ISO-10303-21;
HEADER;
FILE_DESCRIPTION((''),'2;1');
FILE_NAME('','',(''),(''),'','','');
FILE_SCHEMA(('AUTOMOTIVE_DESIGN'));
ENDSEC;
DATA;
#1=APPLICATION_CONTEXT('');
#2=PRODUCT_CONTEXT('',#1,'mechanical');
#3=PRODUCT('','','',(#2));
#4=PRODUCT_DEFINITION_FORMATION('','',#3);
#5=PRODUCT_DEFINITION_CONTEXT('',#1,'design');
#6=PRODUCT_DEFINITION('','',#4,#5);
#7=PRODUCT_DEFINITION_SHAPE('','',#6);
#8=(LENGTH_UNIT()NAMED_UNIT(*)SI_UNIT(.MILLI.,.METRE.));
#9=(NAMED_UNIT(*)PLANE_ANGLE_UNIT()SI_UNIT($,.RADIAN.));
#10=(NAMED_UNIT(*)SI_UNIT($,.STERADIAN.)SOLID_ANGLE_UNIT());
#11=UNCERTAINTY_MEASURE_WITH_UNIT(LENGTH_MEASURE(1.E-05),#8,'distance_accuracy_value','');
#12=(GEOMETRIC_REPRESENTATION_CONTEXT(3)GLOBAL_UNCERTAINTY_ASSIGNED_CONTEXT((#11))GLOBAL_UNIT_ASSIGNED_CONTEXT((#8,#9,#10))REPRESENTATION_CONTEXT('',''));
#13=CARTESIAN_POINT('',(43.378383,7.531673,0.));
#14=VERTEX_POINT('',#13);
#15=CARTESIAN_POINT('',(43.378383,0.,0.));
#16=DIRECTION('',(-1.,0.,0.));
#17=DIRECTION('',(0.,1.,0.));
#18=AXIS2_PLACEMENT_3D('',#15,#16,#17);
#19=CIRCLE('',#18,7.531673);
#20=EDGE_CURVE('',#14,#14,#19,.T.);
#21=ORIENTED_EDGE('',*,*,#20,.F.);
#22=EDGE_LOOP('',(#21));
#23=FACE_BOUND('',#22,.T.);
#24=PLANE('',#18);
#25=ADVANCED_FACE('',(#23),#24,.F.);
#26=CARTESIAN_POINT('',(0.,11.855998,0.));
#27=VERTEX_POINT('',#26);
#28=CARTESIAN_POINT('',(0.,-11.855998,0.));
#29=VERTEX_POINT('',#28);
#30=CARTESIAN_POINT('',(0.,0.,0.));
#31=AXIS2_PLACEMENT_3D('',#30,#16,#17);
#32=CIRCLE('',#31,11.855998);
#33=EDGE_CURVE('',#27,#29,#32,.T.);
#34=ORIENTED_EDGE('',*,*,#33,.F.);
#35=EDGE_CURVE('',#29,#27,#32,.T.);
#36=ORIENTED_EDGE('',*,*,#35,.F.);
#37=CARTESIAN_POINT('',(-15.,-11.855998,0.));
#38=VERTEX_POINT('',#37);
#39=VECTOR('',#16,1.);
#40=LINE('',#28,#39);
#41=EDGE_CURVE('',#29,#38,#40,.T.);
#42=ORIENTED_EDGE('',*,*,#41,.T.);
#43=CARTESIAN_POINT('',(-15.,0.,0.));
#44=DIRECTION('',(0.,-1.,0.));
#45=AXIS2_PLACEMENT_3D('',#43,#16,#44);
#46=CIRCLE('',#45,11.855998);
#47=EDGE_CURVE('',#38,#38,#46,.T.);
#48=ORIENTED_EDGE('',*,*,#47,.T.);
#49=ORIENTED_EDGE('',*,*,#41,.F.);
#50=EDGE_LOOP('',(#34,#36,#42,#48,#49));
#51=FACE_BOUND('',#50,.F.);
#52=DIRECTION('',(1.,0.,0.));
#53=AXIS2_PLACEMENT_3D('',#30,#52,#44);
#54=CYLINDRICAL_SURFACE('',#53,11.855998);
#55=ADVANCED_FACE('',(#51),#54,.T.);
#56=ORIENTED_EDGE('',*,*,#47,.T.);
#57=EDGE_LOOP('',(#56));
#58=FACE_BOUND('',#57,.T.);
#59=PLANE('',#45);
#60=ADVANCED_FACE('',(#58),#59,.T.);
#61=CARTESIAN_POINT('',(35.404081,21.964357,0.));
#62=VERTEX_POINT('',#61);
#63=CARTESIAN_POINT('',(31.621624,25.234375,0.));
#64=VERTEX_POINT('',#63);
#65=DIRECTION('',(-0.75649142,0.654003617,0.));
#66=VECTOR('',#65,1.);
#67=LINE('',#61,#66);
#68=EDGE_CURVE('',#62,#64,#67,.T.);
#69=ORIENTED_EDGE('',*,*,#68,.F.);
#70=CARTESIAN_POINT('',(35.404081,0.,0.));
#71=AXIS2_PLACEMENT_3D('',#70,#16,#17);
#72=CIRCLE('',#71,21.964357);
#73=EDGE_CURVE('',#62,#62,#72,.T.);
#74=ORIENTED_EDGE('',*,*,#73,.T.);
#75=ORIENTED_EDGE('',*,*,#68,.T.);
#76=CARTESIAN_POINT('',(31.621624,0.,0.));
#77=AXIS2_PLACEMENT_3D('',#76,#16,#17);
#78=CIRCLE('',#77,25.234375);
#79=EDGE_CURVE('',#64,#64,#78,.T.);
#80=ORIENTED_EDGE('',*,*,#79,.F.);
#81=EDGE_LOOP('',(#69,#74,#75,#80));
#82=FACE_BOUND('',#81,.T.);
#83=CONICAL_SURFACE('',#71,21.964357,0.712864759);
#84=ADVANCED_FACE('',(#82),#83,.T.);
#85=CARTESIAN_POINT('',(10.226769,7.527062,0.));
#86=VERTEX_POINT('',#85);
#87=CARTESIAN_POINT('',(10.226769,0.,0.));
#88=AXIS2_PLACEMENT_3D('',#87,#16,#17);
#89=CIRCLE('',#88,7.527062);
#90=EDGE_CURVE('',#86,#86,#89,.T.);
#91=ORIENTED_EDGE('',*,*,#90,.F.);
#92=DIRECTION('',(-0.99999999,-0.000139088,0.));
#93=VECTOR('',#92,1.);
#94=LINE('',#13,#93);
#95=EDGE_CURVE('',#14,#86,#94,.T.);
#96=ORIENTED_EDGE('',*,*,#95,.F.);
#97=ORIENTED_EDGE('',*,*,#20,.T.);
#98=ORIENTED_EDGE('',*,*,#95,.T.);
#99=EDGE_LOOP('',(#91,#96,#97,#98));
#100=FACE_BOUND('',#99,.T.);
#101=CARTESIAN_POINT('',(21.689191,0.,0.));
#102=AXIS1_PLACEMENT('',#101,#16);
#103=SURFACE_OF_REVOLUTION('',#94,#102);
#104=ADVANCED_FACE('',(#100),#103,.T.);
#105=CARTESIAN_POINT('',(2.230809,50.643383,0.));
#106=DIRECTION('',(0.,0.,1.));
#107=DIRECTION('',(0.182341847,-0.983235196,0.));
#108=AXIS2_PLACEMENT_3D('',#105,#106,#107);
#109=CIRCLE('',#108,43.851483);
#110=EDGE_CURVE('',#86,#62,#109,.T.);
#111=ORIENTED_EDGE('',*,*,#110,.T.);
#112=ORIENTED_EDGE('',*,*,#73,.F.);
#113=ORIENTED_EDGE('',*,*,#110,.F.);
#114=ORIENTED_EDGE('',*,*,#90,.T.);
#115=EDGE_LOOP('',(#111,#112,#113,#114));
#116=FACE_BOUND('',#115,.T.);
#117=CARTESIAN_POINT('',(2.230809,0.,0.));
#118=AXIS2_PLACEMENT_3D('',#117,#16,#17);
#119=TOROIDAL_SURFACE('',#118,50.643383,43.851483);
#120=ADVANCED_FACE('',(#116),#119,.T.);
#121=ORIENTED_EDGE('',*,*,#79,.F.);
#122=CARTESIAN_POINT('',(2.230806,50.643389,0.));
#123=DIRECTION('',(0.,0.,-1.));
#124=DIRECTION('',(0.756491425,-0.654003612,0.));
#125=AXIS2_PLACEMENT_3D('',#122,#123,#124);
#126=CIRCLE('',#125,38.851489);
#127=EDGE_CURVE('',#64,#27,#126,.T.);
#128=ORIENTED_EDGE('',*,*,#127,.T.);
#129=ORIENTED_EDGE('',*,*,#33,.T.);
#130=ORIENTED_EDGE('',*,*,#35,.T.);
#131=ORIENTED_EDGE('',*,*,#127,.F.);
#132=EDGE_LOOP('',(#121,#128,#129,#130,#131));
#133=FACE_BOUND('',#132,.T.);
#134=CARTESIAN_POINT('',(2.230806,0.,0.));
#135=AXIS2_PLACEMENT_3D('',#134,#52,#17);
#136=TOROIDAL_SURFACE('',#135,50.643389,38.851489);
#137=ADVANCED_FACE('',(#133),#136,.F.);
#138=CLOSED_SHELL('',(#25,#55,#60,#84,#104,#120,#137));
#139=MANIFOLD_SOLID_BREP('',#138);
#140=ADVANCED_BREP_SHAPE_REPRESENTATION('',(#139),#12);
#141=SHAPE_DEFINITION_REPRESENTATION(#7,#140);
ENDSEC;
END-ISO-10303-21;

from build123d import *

# Parameters (mm, degrees)
F1_FACE_R = 11.855998
F2_DEPTH  = 15


with BuildPart() as f1:
    # F0 (on Top) → F1 (revolve)
    with BuildSketch(Plane.XY):
        with BuildLine():
            Line((0, 6.848679), (0, 0))
            Line((0, 0), (43.378383, 0))
            Line((43.378383, 0), (43.378383, 2.531673))
            Line((43.378383, 2.531673), (43.378383, 7.531673))
            Line((43.378383, 7.531673), (10.226769, 7.527062))
            ThreePointArc((10.226769, 7.527062), (24.044458, 12.602389), (35.404081, 21.964357))
            Line((35.404081, 21.964357), (31.621624, 25.234375))
            ThreePointArc((31.621624, 25.234375), (17.368897, 14.862439), (0, 11.855998))
            Line((0, 11.855998), (0, 6.848679))
        make_face()
    revolve(axis=Axis((21.689191, 0, 0), (-1, 0, 0)))

    # F1_face (on face) → F2 (join)
    with BuildSketch(Plane(origin=(0, 0, 0), x_dir=(0, -1, 0), z_dir=(-1, 0, 0))):
        Circle(F1_FACE_R)
    extrude(amount=F2_DEPTH)


solid = f1.part
